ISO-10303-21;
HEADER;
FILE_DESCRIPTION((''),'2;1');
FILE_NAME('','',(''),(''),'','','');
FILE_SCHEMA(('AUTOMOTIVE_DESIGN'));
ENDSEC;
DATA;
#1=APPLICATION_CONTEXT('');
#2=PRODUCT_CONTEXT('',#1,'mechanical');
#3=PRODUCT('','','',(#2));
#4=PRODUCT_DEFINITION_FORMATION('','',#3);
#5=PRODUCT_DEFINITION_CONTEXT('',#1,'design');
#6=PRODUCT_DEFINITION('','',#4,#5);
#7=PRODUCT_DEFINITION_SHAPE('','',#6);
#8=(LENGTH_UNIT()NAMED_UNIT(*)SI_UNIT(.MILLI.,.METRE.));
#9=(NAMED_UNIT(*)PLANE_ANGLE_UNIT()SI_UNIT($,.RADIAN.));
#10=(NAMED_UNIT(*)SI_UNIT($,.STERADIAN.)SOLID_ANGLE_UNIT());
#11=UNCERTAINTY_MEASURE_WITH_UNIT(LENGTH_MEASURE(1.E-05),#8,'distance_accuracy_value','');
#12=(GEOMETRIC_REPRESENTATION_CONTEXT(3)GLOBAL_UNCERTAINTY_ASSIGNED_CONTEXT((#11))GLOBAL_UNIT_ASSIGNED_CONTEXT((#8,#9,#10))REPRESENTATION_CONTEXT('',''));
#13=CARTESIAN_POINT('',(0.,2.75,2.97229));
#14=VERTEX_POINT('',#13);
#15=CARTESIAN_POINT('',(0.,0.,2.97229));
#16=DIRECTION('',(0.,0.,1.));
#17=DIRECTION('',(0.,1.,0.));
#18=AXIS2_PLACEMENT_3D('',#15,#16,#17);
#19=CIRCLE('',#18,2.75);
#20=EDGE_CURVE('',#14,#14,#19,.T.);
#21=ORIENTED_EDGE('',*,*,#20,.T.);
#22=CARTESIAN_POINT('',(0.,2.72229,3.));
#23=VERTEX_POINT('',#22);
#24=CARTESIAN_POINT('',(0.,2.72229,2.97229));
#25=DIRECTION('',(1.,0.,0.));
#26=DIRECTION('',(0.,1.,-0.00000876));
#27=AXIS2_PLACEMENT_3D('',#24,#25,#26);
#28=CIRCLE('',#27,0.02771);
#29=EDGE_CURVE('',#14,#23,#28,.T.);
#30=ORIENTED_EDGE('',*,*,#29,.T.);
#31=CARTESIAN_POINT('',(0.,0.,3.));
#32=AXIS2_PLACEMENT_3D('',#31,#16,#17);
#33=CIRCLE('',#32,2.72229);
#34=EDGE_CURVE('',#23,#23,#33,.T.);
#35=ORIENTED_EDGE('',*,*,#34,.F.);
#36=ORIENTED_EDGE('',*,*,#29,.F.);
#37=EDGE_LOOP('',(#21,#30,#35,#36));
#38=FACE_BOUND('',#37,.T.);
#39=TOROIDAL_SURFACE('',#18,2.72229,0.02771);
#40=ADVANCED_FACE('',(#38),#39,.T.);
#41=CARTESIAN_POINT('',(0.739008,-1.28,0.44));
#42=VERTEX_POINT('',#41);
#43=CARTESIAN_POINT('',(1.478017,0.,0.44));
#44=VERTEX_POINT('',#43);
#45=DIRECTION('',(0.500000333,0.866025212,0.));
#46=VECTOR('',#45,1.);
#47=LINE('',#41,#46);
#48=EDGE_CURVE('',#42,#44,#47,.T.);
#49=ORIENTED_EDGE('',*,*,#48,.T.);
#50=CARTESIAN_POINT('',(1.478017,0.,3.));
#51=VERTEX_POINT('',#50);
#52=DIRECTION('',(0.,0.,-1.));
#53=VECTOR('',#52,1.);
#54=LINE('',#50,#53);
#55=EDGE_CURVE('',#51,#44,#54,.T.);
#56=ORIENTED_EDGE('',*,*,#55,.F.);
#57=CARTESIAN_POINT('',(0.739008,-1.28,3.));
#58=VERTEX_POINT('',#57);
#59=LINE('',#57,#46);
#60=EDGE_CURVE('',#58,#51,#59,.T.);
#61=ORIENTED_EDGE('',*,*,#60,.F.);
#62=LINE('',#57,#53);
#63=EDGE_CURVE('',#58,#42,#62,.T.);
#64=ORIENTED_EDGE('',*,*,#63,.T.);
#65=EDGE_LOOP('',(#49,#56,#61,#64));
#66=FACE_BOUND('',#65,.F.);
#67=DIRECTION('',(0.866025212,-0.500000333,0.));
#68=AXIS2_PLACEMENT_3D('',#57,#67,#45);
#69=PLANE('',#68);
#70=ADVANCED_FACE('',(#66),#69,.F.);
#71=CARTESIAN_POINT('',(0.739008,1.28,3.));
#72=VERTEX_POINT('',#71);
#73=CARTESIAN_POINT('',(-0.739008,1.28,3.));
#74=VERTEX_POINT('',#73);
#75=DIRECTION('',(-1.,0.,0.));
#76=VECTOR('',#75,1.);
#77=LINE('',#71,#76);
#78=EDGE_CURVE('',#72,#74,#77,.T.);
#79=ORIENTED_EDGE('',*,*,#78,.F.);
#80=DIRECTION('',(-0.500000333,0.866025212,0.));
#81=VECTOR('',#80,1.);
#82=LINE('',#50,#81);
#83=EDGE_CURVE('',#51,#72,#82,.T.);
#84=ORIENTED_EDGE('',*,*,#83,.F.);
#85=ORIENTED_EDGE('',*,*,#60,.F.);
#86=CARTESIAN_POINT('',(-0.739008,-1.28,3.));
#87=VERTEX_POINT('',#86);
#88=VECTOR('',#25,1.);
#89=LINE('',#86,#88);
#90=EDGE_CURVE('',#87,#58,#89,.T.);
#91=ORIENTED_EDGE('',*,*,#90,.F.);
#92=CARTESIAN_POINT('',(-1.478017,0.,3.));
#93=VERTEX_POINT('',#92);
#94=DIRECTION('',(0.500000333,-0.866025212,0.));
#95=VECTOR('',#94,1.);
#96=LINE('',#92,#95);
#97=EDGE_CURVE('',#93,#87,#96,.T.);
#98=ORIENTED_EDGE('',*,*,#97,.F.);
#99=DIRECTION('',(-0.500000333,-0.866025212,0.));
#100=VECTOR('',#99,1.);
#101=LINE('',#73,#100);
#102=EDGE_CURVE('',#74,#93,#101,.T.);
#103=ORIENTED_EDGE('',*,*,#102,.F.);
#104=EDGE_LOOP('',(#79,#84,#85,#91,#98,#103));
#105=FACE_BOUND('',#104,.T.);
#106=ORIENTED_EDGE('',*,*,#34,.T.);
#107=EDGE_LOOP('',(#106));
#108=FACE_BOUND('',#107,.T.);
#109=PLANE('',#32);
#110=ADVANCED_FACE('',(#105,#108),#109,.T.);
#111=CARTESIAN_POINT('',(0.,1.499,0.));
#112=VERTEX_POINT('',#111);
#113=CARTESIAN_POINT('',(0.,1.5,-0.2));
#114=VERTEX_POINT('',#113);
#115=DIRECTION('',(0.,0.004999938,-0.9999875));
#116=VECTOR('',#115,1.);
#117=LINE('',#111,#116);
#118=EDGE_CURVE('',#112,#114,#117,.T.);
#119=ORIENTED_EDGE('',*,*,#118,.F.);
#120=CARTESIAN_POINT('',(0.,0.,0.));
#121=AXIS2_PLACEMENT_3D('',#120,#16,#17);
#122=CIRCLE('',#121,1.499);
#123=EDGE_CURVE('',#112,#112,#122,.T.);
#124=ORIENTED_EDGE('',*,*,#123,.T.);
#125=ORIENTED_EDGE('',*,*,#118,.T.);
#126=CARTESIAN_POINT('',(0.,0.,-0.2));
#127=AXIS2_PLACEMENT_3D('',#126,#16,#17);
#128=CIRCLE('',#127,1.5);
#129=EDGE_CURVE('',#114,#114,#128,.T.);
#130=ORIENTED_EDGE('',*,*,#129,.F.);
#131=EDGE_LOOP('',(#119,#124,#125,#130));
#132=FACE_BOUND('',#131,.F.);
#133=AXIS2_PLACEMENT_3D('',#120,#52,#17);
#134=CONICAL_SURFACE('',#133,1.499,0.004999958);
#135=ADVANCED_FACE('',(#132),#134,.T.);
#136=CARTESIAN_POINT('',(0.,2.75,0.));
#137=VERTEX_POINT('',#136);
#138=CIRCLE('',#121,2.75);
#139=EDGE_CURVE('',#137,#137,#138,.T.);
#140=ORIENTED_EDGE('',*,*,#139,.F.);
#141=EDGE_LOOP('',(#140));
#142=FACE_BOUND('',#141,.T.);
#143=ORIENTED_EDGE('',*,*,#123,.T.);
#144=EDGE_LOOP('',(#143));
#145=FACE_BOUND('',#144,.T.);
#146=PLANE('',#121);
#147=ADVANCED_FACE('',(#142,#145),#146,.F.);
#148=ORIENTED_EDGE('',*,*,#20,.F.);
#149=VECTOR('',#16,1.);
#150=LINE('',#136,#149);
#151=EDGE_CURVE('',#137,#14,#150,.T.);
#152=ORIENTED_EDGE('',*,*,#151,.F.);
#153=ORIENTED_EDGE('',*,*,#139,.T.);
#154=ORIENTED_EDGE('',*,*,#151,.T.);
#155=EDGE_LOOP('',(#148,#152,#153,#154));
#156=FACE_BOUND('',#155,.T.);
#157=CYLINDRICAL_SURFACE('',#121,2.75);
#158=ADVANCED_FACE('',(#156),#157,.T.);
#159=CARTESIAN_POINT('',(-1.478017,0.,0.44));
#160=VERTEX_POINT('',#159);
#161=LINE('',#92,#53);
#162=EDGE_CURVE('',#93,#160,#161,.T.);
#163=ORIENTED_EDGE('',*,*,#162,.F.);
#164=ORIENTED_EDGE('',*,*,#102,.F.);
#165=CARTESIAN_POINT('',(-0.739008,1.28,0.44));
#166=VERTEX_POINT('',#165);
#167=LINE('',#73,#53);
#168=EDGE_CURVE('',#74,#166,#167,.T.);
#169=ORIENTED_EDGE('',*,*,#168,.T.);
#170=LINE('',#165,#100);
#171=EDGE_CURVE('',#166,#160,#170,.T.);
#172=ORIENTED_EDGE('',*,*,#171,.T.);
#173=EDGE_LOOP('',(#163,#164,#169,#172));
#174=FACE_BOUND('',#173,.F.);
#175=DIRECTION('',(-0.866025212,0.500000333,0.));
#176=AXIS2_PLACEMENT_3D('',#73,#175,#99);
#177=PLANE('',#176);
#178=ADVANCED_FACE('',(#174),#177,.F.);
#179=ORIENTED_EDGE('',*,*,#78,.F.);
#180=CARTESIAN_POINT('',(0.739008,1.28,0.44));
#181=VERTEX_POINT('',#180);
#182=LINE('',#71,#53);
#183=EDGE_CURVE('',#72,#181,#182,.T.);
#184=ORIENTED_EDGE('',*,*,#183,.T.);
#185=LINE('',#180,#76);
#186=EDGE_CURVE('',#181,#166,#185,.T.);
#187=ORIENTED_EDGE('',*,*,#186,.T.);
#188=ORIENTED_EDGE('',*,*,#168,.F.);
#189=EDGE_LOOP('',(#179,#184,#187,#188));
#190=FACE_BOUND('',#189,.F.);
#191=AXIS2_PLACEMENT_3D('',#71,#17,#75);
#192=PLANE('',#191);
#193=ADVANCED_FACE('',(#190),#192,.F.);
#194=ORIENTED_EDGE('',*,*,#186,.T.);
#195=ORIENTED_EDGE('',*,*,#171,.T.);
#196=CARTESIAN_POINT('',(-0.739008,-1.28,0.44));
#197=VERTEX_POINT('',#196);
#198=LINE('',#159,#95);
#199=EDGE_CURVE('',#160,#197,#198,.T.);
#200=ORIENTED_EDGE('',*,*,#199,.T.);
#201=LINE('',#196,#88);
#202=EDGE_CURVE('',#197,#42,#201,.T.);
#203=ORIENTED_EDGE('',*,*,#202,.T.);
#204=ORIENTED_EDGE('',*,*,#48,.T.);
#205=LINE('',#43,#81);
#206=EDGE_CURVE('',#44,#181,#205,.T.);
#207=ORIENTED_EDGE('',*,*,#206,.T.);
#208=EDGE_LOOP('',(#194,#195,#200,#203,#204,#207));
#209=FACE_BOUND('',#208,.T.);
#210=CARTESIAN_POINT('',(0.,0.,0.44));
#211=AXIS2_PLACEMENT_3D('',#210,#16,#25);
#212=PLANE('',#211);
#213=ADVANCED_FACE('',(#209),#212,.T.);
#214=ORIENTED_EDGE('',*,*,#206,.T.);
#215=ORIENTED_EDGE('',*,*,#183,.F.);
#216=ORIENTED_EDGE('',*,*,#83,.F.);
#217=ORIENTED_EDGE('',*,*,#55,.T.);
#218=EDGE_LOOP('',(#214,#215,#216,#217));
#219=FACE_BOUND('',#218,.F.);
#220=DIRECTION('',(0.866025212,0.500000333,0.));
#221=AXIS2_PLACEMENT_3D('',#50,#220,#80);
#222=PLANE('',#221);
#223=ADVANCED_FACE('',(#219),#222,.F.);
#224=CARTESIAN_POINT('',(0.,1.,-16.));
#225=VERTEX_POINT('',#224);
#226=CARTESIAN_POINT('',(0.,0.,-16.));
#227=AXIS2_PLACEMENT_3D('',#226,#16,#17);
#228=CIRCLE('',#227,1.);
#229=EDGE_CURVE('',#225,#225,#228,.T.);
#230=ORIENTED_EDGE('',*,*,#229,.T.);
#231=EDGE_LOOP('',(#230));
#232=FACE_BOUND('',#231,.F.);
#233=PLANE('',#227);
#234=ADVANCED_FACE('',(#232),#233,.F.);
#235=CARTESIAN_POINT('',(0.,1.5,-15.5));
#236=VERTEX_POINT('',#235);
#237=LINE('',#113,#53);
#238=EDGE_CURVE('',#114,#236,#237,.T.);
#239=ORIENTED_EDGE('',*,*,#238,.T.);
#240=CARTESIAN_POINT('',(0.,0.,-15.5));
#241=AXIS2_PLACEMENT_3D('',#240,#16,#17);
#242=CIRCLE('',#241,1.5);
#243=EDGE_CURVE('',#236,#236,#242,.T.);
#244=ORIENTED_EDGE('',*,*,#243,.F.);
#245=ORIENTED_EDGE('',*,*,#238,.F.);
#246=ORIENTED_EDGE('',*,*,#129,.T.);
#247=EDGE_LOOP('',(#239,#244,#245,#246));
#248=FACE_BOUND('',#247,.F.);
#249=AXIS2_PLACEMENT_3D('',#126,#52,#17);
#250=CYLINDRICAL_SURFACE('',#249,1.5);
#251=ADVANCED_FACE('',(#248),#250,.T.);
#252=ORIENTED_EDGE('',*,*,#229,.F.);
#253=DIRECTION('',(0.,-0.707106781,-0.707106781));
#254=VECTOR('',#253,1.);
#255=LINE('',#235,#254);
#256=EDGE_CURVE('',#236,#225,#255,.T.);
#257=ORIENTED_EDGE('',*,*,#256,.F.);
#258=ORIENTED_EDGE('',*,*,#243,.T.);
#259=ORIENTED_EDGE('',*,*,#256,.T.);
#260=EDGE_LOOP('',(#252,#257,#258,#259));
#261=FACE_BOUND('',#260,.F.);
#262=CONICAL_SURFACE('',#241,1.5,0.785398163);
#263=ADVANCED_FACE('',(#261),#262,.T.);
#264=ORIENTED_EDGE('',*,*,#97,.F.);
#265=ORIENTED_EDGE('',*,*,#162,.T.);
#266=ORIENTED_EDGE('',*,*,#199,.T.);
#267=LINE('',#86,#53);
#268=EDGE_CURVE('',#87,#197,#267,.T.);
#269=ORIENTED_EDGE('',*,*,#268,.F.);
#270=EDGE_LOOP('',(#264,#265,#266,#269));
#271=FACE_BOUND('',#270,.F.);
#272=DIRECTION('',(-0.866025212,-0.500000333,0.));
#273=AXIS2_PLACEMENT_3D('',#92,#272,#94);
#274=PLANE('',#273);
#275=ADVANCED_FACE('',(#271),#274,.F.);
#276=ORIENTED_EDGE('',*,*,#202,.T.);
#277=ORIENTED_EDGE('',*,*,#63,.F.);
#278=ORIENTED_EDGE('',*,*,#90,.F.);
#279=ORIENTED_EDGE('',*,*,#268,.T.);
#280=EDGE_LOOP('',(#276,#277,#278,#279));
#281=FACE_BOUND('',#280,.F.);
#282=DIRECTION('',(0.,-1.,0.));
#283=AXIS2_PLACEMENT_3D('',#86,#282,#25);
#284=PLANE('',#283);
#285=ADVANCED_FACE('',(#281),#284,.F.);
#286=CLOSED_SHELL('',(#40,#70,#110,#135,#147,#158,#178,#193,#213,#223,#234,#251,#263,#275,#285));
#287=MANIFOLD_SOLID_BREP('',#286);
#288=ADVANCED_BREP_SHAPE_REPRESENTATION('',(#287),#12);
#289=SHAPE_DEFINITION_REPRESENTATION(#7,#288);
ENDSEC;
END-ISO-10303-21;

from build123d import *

# Parameters (mm, degrees)
POCKET_DEPTH = 2.56


with BuildPart() as part:
    # Sketch → Revolve (revolve)
    with BuildSketch(Plane.YZ):
        with BuildLine():
            Line((1.499, 0), (2.75, 0))
            Line((2.75, 0), (2.75, 2.97229))
            ThreePointArc((2.75, 2.97229), (2.741884, 2.991884), (2.72229, 3))
            Line((2.72229, 3), (0, 3))
            Line((0, -16), (0, 3))
            Line((1, -16), (0, -16))
            Line((1.5, -15.5), (1, -16))
            Line((1.5, -0.2), (1.5, -15.5))
            Line((1.499, 0), (1.5, -0.2))
        make_face()
    revolve(axis=Axis((0, 0, 0), (0, 0, 1)))

    # Sketch001 → Pocket (cut)
    with BuildSketch(Plane.XY.offset(3)):
        Polygon((1.478017, 0), (0.739008, 1.28), (-0.739008, 1.28), (-1.478017, 0), (-0.739008, -1.28), (0.739008, -1.28), align=None)
    extrude(amount=-POCKET_DEPTH, mode=Mode.SUBTRACT)


solid = part.part
